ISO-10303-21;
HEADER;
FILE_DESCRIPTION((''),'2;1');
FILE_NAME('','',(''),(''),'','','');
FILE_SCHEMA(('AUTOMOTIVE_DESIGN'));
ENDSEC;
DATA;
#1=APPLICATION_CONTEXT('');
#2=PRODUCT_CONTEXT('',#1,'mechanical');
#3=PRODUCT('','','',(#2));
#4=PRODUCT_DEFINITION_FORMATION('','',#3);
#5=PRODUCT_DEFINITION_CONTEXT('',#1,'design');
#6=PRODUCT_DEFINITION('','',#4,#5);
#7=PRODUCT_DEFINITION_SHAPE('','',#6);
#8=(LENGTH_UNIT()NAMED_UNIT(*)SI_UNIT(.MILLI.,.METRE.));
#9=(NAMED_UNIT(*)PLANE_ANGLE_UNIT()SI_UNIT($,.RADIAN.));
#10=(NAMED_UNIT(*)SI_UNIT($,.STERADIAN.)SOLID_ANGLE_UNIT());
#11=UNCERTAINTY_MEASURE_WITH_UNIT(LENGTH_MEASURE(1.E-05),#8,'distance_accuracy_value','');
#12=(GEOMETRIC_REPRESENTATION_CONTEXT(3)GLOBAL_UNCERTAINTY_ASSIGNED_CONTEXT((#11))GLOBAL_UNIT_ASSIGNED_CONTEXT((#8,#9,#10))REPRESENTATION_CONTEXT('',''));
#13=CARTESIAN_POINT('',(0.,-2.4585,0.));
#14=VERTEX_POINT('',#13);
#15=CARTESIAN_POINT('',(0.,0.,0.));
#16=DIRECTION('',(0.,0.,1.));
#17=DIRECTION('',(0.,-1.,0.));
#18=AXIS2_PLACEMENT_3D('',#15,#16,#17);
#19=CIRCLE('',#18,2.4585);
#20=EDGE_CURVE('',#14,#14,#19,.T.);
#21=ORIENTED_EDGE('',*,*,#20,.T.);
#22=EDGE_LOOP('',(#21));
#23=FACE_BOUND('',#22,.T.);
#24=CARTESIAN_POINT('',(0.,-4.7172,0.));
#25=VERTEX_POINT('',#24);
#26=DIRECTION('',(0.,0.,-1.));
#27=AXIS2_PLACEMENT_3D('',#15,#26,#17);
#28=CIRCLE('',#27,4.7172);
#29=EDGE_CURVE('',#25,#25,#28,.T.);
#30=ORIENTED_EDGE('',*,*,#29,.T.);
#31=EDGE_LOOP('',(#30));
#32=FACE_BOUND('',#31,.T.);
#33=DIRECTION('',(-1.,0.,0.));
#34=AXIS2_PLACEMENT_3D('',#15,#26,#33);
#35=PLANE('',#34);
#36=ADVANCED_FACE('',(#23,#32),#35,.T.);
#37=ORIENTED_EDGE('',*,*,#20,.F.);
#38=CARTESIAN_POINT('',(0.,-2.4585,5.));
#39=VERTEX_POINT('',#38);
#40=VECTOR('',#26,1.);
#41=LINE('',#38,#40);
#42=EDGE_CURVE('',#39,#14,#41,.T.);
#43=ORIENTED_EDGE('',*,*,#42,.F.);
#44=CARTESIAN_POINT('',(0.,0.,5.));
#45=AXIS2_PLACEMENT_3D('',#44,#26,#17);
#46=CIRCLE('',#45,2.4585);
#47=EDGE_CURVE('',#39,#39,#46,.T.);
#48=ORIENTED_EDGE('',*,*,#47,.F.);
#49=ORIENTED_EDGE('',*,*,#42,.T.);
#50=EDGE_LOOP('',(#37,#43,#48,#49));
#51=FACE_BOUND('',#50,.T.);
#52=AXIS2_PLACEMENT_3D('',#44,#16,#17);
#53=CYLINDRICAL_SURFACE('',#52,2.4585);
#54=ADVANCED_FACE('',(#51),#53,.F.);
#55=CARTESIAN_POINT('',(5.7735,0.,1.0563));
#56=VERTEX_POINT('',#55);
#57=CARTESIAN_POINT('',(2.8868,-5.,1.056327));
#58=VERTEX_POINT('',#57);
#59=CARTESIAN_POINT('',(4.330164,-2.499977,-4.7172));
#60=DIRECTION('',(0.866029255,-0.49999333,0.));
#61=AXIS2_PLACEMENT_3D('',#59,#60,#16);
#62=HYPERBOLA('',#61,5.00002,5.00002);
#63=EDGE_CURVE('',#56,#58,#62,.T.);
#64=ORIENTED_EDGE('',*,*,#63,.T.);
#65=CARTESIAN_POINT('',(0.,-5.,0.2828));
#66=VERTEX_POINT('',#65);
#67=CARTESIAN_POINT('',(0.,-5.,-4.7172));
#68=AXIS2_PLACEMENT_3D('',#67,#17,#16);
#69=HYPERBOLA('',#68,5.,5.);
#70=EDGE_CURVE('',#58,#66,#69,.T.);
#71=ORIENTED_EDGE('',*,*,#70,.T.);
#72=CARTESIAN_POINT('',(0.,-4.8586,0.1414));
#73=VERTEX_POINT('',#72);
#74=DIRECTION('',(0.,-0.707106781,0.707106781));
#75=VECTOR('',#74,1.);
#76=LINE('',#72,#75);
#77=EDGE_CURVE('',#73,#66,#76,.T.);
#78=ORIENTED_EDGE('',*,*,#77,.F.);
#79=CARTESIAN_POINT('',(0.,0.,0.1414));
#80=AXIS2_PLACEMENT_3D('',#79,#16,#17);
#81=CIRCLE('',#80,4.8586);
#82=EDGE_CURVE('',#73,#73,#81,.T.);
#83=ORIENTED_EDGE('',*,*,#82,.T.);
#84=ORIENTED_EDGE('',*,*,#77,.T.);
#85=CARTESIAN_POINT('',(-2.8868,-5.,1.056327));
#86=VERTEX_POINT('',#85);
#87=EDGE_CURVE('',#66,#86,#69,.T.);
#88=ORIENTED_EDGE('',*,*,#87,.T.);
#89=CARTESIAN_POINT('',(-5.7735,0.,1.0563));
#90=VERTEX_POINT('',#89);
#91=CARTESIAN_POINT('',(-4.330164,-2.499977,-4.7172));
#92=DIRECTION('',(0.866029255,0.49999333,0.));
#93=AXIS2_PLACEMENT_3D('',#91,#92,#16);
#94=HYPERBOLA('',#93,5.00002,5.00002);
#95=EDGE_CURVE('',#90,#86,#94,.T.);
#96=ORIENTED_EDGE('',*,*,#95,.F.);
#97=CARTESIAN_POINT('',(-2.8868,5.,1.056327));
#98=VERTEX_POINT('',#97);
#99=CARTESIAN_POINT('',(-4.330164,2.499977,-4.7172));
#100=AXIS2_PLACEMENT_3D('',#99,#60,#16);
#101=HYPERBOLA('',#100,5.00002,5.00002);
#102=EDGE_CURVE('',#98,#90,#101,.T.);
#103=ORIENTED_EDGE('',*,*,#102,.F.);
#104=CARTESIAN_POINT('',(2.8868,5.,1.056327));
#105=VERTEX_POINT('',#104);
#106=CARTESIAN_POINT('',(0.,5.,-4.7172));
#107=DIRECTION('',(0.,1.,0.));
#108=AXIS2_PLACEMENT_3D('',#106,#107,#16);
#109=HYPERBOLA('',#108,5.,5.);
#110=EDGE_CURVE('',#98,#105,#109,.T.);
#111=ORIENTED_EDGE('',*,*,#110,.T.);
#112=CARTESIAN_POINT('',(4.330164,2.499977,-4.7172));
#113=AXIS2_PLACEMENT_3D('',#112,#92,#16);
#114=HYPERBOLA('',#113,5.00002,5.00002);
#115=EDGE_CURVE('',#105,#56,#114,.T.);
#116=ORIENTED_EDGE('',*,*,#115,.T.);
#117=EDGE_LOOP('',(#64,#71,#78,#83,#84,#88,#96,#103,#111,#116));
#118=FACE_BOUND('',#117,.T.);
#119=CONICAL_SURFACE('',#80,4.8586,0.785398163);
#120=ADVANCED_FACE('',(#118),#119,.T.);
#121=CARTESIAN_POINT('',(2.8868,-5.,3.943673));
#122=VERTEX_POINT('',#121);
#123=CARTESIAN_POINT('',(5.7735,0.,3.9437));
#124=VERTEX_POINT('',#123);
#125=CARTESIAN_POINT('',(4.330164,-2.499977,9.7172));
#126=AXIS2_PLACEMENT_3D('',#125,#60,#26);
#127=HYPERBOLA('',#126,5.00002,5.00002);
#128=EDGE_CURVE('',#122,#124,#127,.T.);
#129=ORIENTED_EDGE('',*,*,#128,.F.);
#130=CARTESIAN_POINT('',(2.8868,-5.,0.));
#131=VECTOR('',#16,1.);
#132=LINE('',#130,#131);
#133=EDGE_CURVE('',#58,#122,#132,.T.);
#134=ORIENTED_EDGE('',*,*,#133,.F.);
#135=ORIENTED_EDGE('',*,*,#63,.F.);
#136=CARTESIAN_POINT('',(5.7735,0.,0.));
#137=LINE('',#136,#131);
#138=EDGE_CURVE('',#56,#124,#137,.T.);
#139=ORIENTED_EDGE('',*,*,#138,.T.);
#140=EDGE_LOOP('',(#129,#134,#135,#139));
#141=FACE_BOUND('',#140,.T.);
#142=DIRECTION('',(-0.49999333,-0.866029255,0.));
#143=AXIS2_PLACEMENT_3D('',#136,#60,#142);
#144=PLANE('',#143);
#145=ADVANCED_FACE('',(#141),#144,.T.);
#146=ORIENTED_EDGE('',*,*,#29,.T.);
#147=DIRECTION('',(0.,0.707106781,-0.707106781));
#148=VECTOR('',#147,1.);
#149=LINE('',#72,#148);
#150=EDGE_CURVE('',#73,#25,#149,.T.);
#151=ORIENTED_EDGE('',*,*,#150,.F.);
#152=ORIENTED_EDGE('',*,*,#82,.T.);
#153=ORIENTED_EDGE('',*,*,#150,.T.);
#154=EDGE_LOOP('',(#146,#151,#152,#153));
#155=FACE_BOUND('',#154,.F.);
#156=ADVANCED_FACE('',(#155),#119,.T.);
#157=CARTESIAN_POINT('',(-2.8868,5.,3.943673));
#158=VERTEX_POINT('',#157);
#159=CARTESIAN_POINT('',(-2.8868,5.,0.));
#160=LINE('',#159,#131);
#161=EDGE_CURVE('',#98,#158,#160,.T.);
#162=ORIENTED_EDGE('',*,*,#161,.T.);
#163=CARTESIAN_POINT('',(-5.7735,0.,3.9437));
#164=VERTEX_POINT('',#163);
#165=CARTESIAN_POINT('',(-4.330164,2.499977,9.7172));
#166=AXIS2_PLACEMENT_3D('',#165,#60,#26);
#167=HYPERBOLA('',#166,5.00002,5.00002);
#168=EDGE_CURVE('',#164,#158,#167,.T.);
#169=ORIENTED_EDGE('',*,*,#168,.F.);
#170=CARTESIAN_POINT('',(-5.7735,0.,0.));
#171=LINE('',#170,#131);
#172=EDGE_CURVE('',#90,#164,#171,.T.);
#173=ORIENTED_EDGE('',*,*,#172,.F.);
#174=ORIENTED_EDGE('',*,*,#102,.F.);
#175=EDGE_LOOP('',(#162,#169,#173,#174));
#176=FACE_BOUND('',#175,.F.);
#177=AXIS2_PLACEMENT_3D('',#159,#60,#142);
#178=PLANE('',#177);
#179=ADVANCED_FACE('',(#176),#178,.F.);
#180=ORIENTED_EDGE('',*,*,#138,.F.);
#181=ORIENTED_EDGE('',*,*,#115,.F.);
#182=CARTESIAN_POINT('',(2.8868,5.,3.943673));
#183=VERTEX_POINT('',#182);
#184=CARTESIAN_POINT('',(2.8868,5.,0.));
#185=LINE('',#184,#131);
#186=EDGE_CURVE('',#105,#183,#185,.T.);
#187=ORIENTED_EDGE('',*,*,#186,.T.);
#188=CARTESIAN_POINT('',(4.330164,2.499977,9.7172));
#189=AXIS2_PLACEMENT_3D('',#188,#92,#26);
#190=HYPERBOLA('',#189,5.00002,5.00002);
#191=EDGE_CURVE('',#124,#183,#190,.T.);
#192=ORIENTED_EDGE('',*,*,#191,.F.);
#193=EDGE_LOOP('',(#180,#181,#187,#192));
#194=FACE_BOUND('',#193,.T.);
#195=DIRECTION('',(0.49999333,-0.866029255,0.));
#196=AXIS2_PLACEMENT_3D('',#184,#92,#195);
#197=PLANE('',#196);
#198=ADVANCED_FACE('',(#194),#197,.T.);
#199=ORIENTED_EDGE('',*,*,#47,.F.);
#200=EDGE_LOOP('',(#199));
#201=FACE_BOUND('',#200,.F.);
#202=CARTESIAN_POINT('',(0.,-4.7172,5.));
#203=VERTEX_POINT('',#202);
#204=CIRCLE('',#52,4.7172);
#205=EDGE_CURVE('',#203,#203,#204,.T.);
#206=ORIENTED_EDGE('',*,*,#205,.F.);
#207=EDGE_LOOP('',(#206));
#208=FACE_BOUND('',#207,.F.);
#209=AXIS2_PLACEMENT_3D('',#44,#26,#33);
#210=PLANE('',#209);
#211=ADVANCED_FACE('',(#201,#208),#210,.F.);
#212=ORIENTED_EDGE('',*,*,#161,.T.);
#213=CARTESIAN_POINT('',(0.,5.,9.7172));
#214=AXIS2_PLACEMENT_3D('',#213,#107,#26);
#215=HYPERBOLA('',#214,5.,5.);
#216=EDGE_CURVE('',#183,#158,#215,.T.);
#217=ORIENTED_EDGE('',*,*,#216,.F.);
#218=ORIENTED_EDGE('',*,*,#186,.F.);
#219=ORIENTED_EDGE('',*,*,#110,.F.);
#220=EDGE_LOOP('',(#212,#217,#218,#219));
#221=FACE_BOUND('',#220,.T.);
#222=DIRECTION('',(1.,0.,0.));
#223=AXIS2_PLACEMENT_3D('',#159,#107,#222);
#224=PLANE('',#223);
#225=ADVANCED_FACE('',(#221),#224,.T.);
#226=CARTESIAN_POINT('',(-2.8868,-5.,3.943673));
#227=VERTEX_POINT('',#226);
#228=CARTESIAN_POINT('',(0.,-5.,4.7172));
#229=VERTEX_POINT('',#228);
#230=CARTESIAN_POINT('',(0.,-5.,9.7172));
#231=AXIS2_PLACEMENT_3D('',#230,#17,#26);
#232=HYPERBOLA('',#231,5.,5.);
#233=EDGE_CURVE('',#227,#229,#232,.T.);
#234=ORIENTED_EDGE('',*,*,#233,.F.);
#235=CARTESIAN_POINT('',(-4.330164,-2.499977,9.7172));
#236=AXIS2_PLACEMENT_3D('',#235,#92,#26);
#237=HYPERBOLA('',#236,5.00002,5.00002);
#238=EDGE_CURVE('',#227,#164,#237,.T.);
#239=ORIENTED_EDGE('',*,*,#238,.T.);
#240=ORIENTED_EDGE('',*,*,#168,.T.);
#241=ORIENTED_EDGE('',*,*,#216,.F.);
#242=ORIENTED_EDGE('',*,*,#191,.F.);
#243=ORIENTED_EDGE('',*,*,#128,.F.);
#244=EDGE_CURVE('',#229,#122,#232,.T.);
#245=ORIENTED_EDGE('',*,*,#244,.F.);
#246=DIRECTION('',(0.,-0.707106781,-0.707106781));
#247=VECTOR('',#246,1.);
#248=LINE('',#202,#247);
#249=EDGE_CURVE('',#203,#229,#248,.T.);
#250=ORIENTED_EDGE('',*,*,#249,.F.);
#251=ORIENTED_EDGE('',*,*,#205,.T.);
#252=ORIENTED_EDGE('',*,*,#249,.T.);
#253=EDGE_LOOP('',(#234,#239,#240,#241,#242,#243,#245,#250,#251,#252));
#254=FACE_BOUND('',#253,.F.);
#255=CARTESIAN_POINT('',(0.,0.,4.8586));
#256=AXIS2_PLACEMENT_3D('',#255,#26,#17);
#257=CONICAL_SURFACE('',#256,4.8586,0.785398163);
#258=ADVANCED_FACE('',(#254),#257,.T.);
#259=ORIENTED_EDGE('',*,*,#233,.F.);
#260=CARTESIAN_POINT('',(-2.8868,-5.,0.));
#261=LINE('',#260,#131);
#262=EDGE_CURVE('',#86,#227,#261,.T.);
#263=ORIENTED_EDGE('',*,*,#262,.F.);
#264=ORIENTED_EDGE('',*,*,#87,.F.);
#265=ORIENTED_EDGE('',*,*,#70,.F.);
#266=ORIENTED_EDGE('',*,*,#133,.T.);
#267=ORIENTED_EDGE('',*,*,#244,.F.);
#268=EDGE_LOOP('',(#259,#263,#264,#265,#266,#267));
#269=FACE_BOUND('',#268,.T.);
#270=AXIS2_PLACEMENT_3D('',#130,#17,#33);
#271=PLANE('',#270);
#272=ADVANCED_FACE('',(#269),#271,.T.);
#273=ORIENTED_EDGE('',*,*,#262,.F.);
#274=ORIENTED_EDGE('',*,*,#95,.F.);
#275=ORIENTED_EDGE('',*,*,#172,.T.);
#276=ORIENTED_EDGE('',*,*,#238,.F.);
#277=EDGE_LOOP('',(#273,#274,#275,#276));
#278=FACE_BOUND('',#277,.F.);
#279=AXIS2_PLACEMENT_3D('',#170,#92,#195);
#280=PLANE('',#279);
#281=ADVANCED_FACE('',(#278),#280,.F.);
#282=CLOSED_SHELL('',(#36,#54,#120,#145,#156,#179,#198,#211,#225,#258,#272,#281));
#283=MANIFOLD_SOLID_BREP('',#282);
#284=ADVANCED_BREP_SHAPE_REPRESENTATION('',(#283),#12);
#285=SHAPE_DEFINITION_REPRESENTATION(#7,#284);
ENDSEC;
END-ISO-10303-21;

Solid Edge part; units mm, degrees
sketch "Sketch1" plane through (0, 0, 0) normal (0, 0, 1) x (1, 0, 0)
  line L0 (2.8868, 5) -> (5.7735, 0)
  line L1 (5.7735, 0) -> (2.8868, -5)
  line L2 (2.8868, -5) -> (-2.8868, -5)
  line L3 (-5.7735, 0) -> (-2.8868, -5)
  line L4 (-2.8868, 5) -> (-5.7735, 0)
  line L5 (-2.8868, 5) -> (2.8868, 5)
extrude "Protrusion1" add sketch "Sketch1" along normal blind 5
hole "Hole_1" at (0, 0, 5) direction (0, 0, -1) diameter 4.917 end up to next
sketch "Sketch2" plane through (0, 0, 0) normal (1, 0, 0) x (0, 1, 0)
  line L0 (-4.8586, 4.8586) -> (-3.7954, 5.9218)
  dimension "D1" = 0.2
revolve "RevolvedCutout1" cut sketch "Sketch2" angle 360 about axis through (0, 0, -57) along (0, 0, 1) material side at (0, -4.3624, 5.4256)
mirror "Mirror1" about plane through (0, 0, 2.5) normal (0, 0, 1) of "RevolvedCutout1"
